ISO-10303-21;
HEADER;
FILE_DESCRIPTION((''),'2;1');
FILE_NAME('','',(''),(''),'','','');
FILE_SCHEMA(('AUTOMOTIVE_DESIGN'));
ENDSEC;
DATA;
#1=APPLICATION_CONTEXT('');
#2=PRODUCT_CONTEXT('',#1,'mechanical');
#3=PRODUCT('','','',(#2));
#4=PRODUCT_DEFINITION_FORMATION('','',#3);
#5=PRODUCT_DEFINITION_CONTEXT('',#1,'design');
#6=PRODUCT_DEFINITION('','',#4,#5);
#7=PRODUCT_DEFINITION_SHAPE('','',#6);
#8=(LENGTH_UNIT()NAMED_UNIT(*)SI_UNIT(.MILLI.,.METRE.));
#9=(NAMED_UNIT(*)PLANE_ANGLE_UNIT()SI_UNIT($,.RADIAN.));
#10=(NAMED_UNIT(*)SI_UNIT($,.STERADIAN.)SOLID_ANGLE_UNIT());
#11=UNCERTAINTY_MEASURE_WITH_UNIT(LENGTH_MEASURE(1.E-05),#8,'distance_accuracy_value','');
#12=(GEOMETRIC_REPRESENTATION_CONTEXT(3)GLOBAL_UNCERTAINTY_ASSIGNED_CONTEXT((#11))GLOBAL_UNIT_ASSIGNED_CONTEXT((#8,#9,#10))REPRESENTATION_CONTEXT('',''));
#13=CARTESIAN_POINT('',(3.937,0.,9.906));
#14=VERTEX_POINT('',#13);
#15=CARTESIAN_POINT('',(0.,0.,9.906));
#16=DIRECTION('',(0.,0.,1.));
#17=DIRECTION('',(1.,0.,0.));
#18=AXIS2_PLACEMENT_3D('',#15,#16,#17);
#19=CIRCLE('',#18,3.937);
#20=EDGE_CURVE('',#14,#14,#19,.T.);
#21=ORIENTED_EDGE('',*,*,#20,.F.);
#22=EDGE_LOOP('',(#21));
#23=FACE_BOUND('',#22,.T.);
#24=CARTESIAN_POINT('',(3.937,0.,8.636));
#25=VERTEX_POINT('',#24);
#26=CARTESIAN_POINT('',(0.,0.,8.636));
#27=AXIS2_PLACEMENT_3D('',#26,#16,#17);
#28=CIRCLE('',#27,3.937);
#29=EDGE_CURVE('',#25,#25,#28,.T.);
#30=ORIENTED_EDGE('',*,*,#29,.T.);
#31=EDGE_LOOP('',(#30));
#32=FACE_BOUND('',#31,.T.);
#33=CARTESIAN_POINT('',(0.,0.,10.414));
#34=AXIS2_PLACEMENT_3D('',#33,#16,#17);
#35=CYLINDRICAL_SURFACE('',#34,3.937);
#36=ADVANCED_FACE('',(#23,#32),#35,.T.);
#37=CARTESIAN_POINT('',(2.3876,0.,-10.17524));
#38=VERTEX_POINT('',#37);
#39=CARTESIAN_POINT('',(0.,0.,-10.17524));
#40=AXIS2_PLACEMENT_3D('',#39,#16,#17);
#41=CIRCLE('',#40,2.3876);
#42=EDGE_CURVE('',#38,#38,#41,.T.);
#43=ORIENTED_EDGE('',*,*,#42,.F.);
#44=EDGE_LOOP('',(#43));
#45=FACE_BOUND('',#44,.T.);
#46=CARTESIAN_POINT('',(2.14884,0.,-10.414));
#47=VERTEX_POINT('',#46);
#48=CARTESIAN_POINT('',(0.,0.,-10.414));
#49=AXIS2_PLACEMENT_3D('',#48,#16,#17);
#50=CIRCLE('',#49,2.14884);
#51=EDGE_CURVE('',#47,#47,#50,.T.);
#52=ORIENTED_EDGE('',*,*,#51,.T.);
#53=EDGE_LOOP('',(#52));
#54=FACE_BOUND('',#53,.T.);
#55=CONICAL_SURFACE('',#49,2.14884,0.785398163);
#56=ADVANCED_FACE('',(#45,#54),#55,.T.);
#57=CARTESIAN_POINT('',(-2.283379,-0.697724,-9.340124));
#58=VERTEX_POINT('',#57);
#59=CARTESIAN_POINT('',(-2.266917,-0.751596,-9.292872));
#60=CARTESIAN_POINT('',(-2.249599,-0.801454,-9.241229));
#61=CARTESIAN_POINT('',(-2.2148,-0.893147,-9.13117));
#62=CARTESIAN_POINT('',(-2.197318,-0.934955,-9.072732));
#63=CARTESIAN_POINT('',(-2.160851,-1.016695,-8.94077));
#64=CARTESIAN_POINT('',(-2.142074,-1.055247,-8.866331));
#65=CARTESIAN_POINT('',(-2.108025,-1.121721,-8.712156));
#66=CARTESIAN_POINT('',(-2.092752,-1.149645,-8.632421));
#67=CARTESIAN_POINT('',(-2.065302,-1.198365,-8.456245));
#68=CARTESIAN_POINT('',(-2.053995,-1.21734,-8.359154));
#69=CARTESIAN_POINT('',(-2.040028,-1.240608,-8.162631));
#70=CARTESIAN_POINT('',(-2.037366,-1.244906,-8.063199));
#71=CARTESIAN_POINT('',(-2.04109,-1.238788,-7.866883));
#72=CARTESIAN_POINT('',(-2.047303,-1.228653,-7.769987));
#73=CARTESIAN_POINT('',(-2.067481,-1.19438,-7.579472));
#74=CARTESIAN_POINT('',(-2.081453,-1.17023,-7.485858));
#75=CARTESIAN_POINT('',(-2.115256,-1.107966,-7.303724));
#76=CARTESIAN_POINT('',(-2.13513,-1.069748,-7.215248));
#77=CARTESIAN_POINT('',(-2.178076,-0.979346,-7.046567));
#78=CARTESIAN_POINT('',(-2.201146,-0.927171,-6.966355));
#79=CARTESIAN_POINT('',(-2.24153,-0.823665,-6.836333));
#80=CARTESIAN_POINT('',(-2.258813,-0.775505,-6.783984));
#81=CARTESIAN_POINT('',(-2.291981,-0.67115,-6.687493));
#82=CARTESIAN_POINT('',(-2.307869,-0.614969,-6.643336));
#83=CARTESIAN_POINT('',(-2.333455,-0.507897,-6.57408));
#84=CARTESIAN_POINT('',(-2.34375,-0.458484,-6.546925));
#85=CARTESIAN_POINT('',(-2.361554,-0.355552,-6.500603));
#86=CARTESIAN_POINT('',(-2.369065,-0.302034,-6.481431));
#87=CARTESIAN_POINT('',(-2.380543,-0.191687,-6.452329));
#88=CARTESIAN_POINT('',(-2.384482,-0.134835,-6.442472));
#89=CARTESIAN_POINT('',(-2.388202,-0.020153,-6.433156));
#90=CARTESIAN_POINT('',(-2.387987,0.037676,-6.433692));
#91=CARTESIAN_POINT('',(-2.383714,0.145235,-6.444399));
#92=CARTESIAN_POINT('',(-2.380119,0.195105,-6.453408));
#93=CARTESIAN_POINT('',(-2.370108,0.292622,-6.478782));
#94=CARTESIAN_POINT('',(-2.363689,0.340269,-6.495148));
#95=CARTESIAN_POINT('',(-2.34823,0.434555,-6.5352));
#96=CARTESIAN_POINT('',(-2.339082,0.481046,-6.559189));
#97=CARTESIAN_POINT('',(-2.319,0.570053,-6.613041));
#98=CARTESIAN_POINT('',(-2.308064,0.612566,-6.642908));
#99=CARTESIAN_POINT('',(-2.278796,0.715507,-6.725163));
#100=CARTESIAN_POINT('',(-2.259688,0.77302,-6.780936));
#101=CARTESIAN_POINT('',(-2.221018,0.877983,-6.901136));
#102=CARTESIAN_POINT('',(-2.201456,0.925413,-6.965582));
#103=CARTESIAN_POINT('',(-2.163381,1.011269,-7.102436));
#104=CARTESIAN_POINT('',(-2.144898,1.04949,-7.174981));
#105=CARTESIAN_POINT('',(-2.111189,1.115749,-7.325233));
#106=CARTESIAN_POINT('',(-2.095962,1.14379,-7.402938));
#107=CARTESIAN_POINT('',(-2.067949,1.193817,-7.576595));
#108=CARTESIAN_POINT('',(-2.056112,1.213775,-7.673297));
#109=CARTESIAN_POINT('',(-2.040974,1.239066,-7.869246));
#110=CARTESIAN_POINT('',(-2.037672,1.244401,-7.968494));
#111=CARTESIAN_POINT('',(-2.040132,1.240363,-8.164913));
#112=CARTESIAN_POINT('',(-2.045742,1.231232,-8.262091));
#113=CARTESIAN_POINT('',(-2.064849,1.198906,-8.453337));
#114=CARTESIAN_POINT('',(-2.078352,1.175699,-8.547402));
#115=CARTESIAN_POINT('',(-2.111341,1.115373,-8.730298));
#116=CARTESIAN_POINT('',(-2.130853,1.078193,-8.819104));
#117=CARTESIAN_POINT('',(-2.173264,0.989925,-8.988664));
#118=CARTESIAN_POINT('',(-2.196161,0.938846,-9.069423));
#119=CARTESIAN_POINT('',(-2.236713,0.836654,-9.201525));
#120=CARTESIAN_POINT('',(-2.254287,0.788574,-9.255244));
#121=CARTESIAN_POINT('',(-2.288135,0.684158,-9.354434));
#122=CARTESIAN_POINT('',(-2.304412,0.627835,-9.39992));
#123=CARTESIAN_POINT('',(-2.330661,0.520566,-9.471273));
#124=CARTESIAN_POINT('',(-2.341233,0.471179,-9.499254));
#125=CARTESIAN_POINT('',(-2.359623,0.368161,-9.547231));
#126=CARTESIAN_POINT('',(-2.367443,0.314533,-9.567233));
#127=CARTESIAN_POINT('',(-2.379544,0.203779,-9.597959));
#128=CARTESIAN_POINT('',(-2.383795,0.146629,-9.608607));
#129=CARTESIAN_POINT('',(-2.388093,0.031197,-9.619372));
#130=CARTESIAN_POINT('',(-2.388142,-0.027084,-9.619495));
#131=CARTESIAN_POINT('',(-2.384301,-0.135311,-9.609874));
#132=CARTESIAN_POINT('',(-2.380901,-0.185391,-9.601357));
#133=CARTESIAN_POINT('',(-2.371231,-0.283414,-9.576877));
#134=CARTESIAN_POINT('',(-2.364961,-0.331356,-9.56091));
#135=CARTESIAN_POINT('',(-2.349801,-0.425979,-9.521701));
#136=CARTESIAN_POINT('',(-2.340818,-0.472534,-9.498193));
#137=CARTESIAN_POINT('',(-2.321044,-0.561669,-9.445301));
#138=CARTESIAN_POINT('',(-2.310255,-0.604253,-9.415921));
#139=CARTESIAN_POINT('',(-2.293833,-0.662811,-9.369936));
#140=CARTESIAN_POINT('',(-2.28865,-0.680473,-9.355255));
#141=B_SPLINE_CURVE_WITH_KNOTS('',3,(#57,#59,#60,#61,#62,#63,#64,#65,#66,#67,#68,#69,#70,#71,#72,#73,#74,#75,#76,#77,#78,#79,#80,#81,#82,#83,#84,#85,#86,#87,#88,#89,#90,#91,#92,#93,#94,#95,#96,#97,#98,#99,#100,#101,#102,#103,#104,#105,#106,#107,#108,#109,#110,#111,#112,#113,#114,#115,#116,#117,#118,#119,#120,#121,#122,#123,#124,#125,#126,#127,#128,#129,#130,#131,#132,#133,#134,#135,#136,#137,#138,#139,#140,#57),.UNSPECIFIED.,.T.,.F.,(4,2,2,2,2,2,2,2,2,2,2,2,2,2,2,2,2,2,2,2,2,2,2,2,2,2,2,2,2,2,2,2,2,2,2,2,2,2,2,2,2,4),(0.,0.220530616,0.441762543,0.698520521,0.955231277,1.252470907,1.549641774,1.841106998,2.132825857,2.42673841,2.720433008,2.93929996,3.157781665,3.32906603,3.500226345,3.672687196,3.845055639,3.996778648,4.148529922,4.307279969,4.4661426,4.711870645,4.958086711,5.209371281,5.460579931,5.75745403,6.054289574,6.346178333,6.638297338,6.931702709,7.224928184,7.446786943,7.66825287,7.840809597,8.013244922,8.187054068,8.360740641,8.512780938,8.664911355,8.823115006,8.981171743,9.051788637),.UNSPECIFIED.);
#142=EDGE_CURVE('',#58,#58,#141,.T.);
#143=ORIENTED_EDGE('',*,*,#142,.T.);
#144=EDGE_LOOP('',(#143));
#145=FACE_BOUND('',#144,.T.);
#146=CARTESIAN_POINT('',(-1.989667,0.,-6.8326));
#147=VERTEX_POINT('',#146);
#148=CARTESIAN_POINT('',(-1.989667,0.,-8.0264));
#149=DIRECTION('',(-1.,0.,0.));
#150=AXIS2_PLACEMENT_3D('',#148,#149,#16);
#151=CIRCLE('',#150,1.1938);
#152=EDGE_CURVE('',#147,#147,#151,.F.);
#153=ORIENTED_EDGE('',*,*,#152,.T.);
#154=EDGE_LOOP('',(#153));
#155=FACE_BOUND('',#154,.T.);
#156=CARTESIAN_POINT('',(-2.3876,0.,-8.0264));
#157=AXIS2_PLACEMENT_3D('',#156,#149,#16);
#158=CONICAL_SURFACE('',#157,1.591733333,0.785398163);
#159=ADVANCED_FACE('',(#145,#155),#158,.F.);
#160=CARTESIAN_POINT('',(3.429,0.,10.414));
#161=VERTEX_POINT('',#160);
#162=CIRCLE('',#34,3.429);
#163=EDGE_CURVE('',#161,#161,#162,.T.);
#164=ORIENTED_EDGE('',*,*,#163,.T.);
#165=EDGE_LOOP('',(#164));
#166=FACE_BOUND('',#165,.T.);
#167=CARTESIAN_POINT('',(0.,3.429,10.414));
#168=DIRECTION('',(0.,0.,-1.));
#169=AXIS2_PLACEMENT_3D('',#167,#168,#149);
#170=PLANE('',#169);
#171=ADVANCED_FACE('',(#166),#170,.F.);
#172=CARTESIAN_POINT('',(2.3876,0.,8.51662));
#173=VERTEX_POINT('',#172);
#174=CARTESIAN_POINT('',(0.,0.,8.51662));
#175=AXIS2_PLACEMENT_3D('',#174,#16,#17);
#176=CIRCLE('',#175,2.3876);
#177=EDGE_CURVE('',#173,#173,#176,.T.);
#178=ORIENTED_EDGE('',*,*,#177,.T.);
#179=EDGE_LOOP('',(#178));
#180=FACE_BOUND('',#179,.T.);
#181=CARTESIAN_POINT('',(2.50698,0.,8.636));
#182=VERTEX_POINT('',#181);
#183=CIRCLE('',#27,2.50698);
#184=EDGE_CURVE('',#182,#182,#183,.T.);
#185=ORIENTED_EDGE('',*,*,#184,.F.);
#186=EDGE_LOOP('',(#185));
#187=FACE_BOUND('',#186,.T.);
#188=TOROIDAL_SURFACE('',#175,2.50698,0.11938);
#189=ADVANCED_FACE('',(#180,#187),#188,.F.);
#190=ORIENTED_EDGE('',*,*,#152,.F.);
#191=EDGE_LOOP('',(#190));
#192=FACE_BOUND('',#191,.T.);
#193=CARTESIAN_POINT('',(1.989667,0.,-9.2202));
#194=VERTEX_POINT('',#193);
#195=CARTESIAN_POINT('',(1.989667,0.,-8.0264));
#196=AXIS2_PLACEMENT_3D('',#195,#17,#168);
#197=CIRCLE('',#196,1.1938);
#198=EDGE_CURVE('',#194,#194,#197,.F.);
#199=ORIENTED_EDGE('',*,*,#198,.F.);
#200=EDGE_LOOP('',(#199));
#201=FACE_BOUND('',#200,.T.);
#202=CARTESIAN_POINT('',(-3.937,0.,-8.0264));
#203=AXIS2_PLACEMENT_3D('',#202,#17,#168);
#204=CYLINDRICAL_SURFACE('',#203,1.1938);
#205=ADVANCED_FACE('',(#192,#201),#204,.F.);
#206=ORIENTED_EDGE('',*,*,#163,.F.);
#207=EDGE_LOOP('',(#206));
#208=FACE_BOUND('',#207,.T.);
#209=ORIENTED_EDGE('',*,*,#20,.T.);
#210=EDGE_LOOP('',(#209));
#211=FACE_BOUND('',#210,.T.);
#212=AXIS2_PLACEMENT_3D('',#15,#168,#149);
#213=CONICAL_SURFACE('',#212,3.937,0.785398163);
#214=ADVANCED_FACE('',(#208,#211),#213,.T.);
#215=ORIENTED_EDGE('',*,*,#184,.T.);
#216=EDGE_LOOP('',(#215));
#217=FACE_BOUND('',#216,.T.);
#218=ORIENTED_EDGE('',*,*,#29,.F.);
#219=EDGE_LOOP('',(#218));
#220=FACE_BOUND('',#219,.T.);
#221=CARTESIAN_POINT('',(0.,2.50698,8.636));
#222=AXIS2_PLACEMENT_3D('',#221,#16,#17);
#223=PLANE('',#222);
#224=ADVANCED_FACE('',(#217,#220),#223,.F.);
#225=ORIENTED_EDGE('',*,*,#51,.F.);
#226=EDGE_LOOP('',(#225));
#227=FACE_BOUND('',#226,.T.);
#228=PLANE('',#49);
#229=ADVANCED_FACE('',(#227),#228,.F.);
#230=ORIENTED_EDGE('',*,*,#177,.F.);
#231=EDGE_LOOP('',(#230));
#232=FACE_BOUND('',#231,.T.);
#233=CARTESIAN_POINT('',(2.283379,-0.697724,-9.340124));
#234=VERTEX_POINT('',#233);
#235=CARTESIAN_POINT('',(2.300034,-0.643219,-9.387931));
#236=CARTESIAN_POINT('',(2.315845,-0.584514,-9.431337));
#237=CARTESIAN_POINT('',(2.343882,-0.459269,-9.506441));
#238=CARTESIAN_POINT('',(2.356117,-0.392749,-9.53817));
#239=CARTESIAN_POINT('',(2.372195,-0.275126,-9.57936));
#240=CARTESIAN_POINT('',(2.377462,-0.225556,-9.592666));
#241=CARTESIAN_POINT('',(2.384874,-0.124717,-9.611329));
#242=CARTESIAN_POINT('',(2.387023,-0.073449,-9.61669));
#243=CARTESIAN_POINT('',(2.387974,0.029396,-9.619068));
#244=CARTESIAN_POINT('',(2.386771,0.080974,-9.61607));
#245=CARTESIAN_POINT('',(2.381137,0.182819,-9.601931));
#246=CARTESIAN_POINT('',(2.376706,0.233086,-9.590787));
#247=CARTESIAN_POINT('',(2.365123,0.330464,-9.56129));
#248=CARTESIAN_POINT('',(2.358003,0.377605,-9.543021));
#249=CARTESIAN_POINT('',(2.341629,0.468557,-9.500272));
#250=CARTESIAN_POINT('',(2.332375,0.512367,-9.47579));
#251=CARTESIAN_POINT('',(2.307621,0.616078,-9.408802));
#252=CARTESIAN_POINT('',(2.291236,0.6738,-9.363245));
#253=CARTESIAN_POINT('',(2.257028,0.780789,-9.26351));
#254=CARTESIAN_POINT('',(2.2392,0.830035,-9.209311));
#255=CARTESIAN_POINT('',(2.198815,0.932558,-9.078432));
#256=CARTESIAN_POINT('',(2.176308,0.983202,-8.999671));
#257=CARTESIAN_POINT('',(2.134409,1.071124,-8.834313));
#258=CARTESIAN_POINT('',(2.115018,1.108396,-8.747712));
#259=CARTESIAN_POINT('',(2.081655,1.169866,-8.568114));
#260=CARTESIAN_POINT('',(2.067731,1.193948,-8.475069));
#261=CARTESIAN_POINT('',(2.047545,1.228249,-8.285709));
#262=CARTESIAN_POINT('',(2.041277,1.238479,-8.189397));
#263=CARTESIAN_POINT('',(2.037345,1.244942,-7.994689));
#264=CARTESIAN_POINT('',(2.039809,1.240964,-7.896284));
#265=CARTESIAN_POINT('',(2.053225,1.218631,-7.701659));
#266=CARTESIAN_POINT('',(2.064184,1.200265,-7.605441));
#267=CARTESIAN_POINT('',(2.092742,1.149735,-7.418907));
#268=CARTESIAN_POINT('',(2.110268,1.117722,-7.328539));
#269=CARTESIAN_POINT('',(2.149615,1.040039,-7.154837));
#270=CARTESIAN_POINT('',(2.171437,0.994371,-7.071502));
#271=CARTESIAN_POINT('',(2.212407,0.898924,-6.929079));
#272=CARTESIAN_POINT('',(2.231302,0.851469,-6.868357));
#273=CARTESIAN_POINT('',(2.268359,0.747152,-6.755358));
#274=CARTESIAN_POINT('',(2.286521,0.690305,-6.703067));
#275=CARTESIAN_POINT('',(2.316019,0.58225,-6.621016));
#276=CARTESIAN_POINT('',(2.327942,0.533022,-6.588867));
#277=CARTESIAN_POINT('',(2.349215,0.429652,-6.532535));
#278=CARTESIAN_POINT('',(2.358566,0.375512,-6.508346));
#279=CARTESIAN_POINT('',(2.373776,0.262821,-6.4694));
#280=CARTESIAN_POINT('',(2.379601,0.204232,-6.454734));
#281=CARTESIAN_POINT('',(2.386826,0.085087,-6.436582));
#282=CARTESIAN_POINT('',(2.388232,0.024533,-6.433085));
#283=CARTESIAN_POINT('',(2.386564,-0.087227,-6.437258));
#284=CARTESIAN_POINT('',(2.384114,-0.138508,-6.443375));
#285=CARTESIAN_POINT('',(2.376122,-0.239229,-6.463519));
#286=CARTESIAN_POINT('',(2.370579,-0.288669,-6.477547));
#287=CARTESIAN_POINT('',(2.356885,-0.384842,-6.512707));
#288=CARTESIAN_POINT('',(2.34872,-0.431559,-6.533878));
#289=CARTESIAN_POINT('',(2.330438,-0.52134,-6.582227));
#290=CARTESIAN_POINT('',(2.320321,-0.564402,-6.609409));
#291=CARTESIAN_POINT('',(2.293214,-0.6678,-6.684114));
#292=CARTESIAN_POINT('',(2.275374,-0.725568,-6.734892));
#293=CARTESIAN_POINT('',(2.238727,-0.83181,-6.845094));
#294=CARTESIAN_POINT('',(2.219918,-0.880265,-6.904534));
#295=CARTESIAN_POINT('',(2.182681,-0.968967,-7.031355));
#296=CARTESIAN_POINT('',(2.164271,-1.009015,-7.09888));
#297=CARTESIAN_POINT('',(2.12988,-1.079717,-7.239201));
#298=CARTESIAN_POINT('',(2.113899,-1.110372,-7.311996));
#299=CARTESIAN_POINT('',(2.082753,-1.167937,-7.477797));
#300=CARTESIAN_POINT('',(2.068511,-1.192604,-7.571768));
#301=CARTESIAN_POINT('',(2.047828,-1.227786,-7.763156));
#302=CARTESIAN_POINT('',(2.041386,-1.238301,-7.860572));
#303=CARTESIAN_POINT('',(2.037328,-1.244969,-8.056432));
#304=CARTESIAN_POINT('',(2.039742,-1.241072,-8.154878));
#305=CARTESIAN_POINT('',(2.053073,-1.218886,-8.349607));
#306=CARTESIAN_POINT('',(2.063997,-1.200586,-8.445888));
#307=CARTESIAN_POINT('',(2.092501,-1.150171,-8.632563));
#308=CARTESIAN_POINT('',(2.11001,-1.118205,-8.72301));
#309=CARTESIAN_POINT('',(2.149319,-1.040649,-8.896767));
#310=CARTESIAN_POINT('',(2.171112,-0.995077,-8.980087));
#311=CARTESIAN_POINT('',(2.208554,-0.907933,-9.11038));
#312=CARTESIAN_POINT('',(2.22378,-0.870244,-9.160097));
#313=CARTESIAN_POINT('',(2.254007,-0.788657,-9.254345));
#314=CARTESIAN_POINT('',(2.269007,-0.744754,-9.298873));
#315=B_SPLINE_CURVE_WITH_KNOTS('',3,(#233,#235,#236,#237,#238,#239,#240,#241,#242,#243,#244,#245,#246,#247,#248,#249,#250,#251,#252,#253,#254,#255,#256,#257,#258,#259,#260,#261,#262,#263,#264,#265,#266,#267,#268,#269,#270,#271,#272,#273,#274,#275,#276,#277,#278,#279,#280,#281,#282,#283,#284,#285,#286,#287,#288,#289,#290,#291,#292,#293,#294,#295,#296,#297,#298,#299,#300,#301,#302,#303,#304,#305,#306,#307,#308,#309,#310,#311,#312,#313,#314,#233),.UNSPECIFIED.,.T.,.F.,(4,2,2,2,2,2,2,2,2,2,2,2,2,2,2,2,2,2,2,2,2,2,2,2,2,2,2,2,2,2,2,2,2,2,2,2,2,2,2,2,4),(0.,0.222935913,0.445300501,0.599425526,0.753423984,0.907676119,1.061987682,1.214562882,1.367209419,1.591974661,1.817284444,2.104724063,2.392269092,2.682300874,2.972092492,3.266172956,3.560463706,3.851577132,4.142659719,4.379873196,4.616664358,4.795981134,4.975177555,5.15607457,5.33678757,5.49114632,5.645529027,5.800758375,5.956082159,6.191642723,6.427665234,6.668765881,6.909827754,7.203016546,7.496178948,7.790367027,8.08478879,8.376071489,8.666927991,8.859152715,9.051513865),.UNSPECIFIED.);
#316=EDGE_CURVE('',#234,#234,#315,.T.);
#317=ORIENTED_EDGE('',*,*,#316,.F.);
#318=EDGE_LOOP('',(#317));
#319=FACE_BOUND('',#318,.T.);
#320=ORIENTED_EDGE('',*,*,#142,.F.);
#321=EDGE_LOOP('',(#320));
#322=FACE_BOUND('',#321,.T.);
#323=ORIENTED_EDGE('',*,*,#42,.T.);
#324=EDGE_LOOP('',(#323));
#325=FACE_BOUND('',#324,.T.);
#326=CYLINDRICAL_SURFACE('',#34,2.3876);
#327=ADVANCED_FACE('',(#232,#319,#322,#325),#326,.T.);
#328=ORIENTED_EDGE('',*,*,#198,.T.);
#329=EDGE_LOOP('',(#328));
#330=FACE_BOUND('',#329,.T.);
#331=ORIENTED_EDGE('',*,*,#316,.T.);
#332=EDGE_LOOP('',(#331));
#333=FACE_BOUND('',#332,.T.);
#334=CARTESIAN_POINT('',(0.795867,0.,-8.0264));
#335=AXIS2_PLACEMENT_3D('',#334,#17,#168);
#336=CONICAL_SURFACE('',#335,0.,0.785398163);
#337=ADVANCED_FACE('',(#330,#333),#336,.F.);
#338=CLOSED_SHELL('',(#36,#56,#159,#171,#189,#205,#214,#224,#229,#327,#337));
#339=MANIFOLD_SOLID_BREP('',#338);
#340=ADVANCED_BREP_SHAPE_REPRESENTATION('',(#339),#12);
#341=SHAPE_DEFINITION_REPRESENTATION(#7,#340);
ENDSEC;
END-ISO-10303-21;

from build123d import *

# Parameters (mm, degrees)
CUT_EXTRUDE1_DEPTH      = 12.808951435
CUT_EXTRUDE1_DEPTH_BACK = 12.808951435
SKETCH3_R               = 1.1938


with BuildPart() as part:
    # Sketch2 → Revolve1 (revolve)
    with BuildSketch(Plane(origin=(0, 0, 0), x_dir=(0, 0, -1), z_dir=(1, 0, 0)), mode=Mode.PRIVATE) as revolve1_sk:
        with BuildLine():
            Line((10.17524, 2.3876), (-8.51662, 2.3876))
            ThreePointArc((-8.51662, 2.3876), (-8.601034408, 2.422565592), (-8.636, 2.50698))
            Line((-8.636, 2.50698), (-8.636, 3.937))
            Line((-8.636, 3.937), (-9.906, 3.937))
            Line((-9.906, 3.937), (-10.414, 3.429))
            Line((-10.414, 3.429), (-10.414, 0))
            Line((-10.414, 0), (10.414, 0))
            Line((10.414, 0), (10.414, 2.14884))
            Line((10.414, 2.14884), (10.17524, 2.3876))
        make_face()
    revolve(revolve1_sk.sketch.rotate(Axis((0, 0, 10.414), (0, 0, -1)), 90), axis=Axis((0, 0, 10.414), (0, 0, -1)))

    # Sketch3 → Cut-Extrude1 (cut, two sides: drawn at the far end of the back side and taken through both)
    with BuildSketch(Plane(origin=(0, 0, 0), x_dir=(0, 0, -1), z_dir=(1, 0, 0)).offset(-CUT_EXTRUDE1_DEPTH_BACK)):
        with Locations((8.0264, 0)):
            Circle(SKETCH3_R)
    extrude(amount=CUT_EXTRUDE1_DEPTH + CUT_EXTRUDE1_DEPTH_BACK, mode=Mode.SUBTRACT)

    # Sketch4 → Cut-Revolve1 (revolve, cut)
    with BuildSketch(Plane(origin=(0, 0, 0), x_dir=(1, 0, 0), z_dir=(0, 1, 0)), mode=Mode.PRIVATE) as cut_revolve1_sk:
        Polygon((2.3876, 6.434666667), (0.795866667, 8.0264), (2.3876, 8.0264), align=None)
        Polygon((-2.3876, 8.0264), (-2.3876, 6.434666667), (-0.795866667, 8.0264), align=None)
    revolve(cut_revolve1_sk.sketch.rotate(Axis((2.3876, 0, -8.0264), (-1, 0, 0)), 180), axis=Axis((2.3876, 0, -8.0264), (-1, 0, 0)), mode=Mode.SUBTRACT)


solid = part.part
